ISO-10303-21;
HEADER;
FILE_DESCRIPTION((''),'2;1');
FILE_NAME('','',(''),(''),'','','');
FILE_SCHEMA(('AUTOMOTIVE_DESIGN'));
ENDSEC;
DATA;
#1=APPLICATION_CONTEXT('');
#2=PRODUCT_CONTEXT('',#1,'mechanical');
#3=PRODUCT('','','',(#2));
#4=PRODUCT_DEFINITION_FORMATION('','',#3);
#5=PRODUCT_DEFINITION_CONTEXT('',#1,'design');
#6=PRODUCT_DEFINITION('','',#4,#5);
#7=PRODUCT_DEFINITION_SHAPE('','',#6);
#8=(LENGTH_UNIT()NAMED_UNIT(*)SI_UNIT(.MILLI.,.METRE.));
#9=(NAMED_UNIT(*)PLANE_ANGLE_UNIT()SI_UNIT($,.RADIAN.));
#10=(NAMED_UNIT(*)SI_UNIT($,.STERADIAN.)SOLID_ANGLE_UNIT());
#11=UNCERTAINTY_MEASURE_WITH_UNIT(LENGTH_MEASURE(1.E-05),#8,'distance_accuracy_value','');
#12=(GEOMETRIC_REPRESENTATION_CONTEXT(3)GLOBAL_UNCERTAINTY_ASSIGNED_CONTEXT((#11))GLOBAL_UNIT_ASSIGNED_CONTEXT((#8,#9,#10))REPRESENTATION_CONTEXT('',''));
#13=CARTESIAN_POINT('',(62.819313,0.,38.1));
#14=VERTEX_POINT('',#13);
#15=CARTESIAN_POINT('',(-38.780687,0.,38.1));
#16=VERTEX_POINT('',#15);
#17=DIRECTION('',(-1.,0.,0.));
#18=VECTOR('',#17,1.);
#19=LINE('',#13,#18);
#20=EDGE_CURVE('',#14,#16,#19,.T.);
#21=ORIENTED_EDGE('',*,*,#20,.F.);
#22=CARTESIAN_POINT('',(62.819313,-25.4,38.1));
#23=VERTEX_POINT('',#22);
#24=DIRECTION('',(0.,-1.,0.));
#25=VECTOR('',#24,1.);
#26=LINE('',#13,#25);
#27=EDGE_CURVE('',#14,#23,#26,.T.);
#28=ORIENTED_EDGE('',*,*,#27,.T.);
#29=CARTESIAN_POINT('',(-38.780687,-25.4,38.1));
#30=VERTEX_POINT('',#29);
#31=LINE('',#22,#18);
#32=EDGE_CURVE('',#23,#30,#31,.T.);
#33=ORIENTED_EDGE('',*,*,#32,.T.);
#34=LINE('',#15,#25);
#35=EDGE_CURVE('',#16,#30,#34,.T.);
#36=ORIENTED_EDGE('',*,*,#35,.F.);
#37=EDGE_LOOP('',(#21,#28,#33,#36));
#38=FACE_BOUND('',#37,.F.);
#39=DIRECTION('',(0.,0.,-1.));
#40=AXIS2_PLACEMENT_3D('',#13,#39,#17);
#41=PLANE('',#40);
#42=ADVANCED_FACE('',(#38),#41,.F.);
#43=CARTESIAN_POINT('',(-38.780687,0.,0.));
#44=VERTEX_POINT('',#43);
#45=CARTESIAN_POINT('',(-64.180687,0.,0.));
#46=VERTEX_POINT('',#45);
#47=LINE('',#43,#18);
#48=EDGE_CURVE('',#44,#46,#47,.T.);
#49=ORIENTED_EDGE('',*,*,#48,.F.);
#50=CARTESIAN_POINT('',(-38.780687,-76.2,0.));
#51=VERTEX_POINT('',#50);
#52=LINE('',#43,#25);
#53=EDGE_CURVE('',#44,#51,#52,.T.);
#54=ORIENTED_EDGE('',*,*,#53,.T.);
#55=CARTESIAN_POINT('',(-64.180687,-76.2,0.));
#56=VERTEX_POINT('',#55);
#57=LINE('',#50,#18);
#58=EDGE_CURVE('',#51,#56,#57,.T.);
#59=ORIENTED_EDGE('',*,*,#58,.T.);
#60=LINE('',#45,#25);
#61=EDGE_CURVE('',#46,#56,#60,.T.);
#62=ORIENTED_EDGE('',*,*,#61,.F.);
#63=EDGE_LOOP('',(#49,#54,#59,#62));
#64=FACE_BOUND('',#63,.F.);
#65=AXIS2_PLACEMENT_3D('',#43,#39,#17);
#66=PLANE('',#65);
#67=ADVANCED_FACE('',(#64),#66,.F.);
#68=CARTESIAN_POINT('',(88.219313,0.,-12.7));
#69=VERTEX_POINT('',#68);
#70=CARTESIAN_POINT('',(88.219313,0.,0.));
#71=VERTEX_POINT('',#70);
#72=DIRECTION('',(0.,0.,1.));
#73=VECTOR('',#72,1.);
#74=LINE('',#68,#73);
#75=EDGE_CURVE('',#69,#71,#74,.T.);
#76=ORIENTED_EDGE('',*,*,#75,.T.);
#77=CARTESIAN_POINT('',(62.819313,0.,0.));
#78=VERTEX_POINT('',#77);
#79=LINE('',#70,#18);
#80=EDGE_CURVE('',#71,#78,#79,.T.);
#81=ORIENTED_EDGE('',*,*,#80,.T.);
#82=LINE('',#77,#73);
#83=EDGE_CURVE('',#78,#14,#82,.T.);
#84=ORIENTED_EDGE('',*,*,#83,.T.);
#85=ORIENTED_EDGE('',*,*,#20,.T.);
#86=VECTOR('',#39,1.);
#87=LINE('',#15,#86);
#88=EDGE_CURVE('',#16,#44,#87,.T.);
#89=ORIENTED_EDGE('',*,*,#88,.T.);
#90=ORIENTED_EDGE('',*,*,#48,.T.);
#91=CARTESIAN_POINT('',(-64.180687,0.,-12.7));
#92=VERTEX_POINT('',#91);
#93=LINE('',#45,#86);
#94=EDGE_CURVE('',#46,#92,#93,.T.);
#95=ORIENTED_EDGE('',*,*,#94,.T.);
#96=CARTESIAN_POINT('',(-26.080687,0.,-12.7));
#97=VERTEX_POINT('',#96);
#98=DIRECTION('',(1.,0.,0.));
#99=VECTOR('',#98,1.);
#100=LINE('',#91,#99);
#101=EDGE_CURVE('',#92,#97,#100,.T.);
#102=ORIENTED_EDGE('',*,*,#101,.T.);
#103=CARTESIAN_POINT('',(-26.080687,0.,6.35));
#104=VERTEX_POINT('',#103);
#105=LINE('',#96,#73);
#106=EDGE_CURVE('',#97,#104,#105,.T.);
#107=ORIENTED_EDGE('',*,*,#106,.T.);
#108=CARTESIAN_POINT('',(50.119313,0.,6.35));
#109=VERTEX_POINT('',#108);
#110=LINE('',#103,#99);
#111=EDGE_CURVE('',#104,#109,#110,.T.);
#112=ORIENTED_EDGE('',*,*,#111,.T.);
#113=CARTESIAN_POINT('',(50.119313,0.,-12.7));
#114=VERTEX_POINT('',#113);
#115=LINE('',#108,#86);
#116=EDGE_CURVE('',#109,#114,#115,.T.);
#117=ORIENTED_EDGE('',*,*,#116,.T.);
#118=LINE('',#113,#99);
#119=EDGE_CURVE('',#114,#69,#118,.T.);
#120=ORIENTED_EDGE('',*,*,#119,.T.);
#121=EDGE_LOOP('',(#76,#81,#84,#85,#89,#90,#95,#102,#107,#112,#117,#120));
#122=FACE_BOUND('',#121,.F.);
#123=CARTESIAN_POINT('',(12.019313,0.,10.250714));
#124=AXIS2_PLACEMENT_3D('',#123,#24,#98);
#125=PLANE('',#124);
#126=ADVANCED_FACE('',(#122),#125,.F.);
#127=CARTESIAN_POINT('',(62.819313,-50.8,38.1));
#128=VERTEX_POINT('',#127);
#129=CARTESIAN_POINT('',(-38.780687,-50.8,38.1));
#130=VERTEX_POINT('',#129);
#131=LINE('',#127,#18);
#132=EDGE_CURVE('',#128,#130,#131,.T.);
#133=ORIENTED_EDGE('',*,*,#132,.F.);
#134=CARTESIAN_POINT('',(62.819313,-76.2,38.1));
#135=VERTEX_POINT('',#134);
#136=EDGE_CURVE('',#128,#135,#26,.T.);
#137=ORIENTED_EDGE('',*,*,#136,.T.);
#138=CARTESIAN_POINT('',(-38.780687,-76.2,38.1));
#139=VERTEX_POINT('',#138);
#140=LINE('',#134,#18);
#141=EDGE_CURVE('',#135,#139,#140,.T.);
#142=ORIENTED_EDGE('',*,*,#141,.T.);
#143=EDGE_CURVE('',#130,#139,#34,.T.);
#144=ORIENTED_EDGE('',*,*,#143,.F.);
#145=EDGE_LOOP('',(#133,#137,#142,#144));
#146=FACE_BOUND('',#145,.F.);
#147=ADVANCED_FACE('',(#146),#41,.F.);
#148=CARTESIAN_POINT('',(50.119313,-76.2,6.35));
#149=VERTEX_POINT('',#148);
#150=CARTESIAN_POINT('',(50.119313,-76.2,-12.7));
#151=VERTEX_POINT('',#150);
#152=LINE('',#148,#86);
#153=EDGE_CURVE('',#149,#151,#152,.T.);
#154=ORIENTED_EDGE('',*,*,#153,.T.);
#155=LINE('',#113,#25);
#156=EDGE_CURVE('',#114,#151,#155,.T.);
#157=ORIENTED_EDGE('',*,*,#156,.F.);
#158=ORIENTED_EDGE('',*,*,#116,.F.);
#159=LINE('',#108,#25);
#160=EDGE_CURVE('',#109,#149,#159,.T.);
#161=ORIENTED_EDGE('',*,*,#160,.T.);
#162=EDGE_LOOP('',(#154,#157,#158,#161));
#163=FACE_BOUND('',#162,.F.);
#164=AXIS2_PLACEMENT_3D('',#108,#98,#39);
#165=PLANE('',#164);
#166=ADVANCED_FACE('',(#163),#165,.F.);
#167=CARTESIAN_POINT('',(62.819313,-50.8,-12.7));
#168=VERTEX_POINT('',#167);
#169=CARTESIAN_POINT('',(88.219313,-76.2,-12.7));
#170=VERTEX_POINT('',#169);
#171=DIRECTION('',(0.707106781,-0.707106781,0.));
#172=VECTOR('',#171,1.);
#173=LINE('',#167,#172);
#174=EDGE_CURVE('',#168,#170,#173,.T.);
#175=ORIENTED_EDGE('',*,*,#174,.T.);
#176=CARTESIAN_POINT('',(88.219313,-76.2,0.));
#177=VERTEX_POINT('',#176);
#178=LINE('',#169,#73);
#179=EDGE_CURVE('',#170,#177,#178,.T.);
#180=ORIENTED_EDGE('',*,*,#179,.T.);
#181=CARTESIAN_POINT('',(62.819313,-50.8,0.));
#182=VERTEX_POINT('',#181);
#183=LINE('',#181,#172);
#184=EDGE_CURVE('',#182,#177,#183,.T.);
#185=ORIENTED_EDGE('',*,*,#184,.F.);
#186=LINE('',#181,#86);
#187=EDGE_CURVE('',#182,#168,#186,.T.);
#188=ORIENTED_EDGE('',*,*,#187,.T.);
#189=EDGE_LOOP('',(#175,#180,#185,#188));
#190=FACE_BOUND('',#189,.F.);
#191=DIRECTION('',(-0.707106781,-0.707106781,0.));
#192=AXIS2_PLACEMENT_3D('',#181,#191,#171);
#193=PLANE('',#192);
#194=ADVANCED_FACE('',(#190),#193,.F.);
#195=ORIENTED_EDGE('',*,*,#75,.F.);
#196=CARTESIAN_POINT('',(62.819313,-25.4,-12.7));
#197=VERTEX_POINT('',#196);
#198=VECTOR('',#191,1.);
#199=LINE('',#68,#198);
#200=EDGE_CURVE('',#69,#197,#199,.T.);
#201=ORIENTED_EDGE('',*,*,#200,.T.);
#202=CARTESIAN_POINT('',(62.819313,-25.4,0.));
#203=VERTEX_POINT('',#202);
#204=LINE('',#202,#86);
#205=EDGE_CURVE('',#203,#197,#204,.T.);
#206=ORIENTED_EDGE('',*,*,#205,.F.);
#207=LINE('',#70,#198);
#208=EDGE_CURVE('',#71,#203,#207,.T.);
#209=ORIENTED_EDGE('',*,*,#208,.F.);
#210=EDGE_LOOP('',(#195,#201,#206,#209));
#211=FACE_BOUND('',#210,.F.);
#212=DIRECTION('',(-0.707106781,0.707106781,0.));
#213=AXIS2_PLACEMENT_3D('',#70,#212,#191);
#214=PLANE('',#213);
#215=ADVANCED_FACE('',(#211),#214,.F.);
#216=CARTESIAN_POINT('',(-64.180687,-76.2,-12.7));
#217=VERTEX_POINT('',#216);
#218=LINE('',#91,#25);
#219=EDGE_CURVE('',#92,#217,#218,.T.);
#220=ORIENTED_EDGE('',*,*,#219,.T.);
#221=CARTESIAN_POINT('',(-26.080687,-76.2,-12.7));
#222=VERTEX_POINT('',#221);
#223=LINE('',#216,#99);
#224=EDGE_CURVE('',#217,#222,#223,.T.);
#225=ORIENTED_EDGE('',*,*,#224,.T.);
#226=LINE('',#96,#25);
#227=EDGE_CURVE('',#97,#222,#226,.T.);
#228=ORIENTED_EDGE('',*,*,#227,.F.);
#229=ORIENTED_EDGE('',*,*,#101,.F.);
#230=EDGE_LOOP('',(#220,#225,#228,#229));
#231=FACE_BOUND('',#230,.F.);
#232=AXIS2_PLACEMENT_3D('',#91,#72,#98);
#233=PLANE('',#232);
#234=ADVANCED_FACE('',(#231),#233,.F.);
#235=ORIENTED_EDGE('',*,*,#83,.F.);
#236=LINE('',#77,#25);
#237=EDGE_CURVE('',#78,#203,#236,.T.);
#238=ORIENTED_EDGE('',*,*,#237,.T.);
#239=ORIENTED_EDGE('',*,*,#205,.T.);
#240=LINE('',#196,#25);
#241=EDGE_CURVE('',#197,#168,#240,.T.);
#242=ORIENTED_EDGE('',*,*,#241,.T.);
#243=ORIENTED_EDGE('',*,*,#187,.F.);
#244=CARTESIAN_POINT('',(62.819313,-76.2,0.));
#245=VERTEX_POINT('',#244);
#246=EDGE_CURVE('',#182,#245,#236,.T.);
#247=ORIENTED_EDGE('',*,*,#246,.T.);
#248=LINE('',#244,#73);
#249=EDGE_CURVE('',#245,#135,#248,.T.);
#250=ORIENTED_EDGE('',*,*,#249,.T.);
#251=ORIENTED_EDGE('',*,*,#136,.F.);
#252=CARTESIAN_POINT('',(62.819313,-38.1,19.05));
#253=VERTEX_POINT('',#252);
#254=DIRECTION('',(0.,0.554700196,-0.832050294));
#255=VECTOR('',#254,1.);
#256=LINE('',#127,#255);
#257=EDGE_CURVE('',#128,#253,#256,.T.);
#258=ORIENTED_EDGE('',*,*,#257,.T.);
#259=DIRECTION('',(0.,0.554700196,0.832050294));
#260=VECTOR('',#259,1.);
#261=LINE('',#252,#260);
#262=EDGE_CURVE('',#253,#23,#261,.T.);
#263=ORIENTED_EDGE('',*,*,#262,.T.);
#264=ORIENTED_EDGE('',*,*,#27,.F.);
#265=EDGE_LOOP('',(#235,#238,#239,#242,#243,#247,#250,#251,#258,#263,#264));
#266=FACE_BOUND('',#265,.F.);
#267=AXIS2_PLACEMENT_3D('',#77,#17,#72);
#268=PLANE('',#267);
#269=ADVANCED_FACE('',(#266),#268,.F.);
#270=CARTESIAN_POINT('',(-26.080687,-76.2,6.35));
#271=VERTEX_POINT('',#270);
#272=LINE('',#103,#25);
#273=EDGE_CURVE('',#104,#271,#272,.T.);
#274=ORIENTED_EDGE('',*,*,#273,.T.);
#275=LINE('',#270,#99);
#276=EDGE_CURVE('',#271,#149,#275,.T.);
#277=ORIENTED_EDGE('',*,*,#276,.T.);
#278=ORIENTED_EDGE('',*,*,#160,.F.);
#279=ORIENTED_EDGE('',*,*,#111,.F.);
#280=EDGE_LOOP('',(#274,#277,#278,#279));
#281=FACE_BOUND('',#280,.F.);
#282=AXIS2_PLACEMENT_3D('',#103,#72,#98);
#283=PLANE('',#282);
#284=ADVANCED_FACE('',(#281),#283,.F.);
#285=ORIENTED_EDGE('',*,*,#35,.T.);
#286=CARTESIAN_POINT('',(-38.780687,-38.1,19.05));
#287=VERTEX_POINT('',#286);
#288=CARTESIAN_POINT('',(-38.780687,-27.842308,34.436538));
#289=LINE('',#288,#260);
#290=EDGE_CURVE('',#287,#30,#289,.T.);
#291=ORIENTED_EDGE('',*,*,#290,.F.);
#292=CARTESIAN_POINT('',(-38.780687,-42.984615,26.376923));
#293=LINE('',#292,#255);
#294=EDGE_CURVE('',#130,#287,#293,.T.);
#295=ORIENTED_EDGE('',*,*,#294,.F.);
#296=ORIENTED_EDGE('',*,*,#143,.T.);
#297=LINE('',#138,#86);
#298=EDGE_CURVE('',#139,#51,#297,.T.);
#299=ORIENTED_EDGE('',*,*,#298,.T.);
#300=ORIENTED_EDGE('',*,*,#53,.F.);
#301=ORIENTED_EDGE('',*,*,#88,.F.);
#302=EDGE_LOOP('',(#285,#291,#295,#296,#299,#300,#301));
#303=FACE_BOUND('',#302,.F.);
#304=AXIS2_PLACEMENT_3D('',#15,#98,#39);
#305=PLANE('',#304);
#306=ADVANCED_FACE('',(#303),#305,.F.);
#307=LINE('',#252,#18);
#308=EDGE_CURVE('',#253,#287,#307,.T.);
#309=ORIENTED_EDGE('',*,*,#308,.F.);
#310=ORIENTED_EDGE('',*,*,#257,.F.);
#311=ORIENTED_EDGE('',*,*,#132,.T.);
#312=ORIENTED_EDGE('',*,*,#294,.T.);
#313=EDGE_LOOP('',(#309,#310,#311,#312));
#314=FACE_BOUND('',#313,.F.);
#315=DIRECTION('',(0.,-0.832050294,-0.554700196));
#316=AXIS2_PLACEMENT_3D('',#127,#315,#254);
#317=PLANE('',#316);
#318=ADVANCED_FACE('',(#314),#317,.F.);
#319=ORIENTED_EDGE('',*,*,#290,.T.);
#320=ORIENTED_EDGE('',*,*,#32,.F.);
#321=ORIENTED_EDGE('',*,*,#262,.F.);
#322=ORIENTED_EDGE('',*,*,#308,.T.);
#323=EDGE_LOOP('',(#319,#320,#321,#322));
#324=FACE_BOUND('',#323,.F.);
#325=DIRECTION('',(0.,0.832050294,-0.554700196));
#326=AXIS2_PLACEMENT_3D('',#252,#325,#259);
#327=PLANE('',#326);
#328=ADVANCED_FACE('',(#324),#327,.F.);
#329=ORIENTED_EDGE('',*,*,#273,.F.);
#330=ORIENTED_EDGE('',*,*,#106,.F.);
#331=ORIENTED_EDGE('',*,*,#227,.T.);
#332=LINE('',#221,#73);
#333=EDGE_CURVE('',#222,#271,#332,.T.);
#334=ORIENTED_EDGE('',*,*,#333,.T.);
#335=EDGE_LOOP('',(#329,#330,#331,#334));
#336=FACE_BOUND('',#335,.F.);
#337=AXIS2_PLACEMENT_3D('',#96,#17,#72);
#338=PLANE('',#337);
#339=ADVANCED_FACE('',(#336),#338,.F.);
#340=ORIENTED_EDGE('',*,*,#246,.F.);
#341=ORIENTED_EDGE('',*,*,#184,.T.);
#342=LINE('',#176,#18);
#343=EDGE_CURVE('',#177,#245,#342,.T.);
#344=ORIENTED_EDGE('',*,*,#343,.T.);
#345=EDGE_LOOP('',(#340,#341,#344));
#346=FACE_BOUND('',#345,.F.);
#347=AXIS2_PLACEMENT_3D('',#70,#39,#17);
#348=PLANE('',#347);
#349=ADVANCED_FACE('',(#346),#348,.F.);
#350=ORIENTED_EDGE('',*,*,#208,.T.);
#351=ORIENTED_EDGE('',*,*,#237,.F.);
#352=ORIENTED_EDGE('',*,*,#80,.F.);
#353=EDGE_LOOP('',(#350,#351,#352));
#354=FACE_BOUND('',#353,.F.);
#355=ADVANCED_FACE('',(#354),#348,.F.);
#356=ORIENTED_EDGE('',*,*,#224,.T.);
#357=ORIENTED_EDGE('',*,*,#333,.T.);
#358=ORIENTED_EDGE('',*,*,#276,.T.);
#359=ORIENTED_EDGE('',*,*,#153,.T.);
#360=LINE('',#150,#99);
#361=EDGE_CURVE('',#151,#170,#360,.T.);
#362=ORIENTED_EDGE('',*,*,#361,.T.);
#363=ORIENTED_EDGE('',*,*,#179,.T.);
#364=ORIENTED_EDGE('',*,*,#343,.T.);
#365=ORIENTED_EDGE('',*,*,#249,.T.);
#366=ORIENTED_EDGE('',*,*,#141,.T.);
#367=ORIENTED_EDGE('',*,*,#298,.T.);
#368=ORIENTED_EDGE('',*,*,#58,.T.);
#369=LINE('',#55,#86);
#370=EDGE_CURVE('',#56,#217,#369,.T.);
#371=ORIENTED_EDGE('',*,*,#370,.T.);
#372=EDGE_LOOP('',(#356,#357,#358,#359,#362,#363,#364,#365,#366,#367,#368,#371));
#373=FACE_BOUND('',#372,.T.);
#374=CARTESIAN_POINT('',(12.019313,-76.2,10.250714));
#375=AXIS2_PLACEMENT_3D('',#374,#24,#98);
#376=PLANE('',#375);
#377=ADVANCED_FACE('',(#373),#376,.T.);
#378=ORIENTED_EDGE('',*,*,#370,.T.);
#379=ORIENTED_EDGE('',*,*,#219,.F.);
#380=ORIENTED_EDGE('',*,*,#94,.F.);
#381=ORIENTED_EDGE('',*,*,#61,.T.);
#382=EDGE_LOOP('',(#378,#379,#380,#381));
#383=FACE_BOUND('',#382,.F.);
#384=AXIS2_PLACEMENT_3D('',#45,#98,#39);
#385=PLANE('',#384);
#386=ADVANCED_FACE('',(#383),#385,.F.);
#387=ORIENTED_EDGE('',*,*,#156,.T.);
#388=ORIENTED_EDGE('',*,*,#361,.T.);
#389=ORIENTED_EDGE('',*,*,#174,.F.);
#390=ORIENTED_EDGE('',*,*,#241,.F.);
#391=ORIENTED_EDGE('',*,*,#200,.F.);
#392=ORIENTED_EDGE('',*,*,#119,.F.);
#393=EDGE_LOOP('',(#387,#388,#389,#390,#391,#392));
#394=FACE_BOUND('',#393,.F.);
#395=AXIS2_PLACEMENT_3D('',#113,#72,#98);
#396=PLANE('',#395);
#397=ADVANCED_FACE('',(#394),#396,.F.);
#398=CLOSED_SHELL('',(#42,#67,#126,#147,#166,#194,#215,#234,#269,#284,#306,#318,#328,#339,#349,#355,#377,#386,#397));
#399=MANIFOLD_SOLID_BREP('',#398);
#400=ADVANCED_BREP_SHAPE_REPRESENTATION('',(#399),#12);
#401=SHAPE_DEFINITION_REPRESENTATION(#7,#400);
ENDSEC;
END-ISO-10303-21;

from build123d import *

# Parameters (mm, degrees)
F1_DEPTH = 76.2
F3_DEPTH = 12.7
F5_DEPTH = 152.4


with BuildPart() as f1:
    # F0 (on Front) → F1 (new body)
    with BuildSketch(Plane.XZ):
        Polygon((-38.780687, 0), (-64.180687, 0), (-64.180687, -12.7), (-26.080687, -12.7), (-26.080687, 6.35), (50.119313, 6.35), (50.119313, -12.7), (88.219313, -12.7), (88.219313, 0), (62.819313, 0), (62.819313, 38.1), (50.119313, 38.1), (-38.780687, 38.1), align=None)
    extrude(amount=F1_DEPTH)

    # F2 (on face) → F3 (cut)
    with BuildSketch(Plane.XY):
        Polygon((62.819313, -25.4), (62.819313, -50.8), (88.219313, -76.2), (88.219313, 0), align=None)
    extrude(amount=-F3_DEPTH, mode=Mode.SUBTRACT)

    # F4 (on face) → F5 (cut)
    with BuildSketch(Plane.YZ.offset(62.819313)):
        Polygon((-25.4, 38.1), (-50.8, 38.1), (-38.1, 19.05), align=None)
    extrude(amount=-F5_DEPTH, mode=Mode.SUBTRACT)


solid = f1.part
